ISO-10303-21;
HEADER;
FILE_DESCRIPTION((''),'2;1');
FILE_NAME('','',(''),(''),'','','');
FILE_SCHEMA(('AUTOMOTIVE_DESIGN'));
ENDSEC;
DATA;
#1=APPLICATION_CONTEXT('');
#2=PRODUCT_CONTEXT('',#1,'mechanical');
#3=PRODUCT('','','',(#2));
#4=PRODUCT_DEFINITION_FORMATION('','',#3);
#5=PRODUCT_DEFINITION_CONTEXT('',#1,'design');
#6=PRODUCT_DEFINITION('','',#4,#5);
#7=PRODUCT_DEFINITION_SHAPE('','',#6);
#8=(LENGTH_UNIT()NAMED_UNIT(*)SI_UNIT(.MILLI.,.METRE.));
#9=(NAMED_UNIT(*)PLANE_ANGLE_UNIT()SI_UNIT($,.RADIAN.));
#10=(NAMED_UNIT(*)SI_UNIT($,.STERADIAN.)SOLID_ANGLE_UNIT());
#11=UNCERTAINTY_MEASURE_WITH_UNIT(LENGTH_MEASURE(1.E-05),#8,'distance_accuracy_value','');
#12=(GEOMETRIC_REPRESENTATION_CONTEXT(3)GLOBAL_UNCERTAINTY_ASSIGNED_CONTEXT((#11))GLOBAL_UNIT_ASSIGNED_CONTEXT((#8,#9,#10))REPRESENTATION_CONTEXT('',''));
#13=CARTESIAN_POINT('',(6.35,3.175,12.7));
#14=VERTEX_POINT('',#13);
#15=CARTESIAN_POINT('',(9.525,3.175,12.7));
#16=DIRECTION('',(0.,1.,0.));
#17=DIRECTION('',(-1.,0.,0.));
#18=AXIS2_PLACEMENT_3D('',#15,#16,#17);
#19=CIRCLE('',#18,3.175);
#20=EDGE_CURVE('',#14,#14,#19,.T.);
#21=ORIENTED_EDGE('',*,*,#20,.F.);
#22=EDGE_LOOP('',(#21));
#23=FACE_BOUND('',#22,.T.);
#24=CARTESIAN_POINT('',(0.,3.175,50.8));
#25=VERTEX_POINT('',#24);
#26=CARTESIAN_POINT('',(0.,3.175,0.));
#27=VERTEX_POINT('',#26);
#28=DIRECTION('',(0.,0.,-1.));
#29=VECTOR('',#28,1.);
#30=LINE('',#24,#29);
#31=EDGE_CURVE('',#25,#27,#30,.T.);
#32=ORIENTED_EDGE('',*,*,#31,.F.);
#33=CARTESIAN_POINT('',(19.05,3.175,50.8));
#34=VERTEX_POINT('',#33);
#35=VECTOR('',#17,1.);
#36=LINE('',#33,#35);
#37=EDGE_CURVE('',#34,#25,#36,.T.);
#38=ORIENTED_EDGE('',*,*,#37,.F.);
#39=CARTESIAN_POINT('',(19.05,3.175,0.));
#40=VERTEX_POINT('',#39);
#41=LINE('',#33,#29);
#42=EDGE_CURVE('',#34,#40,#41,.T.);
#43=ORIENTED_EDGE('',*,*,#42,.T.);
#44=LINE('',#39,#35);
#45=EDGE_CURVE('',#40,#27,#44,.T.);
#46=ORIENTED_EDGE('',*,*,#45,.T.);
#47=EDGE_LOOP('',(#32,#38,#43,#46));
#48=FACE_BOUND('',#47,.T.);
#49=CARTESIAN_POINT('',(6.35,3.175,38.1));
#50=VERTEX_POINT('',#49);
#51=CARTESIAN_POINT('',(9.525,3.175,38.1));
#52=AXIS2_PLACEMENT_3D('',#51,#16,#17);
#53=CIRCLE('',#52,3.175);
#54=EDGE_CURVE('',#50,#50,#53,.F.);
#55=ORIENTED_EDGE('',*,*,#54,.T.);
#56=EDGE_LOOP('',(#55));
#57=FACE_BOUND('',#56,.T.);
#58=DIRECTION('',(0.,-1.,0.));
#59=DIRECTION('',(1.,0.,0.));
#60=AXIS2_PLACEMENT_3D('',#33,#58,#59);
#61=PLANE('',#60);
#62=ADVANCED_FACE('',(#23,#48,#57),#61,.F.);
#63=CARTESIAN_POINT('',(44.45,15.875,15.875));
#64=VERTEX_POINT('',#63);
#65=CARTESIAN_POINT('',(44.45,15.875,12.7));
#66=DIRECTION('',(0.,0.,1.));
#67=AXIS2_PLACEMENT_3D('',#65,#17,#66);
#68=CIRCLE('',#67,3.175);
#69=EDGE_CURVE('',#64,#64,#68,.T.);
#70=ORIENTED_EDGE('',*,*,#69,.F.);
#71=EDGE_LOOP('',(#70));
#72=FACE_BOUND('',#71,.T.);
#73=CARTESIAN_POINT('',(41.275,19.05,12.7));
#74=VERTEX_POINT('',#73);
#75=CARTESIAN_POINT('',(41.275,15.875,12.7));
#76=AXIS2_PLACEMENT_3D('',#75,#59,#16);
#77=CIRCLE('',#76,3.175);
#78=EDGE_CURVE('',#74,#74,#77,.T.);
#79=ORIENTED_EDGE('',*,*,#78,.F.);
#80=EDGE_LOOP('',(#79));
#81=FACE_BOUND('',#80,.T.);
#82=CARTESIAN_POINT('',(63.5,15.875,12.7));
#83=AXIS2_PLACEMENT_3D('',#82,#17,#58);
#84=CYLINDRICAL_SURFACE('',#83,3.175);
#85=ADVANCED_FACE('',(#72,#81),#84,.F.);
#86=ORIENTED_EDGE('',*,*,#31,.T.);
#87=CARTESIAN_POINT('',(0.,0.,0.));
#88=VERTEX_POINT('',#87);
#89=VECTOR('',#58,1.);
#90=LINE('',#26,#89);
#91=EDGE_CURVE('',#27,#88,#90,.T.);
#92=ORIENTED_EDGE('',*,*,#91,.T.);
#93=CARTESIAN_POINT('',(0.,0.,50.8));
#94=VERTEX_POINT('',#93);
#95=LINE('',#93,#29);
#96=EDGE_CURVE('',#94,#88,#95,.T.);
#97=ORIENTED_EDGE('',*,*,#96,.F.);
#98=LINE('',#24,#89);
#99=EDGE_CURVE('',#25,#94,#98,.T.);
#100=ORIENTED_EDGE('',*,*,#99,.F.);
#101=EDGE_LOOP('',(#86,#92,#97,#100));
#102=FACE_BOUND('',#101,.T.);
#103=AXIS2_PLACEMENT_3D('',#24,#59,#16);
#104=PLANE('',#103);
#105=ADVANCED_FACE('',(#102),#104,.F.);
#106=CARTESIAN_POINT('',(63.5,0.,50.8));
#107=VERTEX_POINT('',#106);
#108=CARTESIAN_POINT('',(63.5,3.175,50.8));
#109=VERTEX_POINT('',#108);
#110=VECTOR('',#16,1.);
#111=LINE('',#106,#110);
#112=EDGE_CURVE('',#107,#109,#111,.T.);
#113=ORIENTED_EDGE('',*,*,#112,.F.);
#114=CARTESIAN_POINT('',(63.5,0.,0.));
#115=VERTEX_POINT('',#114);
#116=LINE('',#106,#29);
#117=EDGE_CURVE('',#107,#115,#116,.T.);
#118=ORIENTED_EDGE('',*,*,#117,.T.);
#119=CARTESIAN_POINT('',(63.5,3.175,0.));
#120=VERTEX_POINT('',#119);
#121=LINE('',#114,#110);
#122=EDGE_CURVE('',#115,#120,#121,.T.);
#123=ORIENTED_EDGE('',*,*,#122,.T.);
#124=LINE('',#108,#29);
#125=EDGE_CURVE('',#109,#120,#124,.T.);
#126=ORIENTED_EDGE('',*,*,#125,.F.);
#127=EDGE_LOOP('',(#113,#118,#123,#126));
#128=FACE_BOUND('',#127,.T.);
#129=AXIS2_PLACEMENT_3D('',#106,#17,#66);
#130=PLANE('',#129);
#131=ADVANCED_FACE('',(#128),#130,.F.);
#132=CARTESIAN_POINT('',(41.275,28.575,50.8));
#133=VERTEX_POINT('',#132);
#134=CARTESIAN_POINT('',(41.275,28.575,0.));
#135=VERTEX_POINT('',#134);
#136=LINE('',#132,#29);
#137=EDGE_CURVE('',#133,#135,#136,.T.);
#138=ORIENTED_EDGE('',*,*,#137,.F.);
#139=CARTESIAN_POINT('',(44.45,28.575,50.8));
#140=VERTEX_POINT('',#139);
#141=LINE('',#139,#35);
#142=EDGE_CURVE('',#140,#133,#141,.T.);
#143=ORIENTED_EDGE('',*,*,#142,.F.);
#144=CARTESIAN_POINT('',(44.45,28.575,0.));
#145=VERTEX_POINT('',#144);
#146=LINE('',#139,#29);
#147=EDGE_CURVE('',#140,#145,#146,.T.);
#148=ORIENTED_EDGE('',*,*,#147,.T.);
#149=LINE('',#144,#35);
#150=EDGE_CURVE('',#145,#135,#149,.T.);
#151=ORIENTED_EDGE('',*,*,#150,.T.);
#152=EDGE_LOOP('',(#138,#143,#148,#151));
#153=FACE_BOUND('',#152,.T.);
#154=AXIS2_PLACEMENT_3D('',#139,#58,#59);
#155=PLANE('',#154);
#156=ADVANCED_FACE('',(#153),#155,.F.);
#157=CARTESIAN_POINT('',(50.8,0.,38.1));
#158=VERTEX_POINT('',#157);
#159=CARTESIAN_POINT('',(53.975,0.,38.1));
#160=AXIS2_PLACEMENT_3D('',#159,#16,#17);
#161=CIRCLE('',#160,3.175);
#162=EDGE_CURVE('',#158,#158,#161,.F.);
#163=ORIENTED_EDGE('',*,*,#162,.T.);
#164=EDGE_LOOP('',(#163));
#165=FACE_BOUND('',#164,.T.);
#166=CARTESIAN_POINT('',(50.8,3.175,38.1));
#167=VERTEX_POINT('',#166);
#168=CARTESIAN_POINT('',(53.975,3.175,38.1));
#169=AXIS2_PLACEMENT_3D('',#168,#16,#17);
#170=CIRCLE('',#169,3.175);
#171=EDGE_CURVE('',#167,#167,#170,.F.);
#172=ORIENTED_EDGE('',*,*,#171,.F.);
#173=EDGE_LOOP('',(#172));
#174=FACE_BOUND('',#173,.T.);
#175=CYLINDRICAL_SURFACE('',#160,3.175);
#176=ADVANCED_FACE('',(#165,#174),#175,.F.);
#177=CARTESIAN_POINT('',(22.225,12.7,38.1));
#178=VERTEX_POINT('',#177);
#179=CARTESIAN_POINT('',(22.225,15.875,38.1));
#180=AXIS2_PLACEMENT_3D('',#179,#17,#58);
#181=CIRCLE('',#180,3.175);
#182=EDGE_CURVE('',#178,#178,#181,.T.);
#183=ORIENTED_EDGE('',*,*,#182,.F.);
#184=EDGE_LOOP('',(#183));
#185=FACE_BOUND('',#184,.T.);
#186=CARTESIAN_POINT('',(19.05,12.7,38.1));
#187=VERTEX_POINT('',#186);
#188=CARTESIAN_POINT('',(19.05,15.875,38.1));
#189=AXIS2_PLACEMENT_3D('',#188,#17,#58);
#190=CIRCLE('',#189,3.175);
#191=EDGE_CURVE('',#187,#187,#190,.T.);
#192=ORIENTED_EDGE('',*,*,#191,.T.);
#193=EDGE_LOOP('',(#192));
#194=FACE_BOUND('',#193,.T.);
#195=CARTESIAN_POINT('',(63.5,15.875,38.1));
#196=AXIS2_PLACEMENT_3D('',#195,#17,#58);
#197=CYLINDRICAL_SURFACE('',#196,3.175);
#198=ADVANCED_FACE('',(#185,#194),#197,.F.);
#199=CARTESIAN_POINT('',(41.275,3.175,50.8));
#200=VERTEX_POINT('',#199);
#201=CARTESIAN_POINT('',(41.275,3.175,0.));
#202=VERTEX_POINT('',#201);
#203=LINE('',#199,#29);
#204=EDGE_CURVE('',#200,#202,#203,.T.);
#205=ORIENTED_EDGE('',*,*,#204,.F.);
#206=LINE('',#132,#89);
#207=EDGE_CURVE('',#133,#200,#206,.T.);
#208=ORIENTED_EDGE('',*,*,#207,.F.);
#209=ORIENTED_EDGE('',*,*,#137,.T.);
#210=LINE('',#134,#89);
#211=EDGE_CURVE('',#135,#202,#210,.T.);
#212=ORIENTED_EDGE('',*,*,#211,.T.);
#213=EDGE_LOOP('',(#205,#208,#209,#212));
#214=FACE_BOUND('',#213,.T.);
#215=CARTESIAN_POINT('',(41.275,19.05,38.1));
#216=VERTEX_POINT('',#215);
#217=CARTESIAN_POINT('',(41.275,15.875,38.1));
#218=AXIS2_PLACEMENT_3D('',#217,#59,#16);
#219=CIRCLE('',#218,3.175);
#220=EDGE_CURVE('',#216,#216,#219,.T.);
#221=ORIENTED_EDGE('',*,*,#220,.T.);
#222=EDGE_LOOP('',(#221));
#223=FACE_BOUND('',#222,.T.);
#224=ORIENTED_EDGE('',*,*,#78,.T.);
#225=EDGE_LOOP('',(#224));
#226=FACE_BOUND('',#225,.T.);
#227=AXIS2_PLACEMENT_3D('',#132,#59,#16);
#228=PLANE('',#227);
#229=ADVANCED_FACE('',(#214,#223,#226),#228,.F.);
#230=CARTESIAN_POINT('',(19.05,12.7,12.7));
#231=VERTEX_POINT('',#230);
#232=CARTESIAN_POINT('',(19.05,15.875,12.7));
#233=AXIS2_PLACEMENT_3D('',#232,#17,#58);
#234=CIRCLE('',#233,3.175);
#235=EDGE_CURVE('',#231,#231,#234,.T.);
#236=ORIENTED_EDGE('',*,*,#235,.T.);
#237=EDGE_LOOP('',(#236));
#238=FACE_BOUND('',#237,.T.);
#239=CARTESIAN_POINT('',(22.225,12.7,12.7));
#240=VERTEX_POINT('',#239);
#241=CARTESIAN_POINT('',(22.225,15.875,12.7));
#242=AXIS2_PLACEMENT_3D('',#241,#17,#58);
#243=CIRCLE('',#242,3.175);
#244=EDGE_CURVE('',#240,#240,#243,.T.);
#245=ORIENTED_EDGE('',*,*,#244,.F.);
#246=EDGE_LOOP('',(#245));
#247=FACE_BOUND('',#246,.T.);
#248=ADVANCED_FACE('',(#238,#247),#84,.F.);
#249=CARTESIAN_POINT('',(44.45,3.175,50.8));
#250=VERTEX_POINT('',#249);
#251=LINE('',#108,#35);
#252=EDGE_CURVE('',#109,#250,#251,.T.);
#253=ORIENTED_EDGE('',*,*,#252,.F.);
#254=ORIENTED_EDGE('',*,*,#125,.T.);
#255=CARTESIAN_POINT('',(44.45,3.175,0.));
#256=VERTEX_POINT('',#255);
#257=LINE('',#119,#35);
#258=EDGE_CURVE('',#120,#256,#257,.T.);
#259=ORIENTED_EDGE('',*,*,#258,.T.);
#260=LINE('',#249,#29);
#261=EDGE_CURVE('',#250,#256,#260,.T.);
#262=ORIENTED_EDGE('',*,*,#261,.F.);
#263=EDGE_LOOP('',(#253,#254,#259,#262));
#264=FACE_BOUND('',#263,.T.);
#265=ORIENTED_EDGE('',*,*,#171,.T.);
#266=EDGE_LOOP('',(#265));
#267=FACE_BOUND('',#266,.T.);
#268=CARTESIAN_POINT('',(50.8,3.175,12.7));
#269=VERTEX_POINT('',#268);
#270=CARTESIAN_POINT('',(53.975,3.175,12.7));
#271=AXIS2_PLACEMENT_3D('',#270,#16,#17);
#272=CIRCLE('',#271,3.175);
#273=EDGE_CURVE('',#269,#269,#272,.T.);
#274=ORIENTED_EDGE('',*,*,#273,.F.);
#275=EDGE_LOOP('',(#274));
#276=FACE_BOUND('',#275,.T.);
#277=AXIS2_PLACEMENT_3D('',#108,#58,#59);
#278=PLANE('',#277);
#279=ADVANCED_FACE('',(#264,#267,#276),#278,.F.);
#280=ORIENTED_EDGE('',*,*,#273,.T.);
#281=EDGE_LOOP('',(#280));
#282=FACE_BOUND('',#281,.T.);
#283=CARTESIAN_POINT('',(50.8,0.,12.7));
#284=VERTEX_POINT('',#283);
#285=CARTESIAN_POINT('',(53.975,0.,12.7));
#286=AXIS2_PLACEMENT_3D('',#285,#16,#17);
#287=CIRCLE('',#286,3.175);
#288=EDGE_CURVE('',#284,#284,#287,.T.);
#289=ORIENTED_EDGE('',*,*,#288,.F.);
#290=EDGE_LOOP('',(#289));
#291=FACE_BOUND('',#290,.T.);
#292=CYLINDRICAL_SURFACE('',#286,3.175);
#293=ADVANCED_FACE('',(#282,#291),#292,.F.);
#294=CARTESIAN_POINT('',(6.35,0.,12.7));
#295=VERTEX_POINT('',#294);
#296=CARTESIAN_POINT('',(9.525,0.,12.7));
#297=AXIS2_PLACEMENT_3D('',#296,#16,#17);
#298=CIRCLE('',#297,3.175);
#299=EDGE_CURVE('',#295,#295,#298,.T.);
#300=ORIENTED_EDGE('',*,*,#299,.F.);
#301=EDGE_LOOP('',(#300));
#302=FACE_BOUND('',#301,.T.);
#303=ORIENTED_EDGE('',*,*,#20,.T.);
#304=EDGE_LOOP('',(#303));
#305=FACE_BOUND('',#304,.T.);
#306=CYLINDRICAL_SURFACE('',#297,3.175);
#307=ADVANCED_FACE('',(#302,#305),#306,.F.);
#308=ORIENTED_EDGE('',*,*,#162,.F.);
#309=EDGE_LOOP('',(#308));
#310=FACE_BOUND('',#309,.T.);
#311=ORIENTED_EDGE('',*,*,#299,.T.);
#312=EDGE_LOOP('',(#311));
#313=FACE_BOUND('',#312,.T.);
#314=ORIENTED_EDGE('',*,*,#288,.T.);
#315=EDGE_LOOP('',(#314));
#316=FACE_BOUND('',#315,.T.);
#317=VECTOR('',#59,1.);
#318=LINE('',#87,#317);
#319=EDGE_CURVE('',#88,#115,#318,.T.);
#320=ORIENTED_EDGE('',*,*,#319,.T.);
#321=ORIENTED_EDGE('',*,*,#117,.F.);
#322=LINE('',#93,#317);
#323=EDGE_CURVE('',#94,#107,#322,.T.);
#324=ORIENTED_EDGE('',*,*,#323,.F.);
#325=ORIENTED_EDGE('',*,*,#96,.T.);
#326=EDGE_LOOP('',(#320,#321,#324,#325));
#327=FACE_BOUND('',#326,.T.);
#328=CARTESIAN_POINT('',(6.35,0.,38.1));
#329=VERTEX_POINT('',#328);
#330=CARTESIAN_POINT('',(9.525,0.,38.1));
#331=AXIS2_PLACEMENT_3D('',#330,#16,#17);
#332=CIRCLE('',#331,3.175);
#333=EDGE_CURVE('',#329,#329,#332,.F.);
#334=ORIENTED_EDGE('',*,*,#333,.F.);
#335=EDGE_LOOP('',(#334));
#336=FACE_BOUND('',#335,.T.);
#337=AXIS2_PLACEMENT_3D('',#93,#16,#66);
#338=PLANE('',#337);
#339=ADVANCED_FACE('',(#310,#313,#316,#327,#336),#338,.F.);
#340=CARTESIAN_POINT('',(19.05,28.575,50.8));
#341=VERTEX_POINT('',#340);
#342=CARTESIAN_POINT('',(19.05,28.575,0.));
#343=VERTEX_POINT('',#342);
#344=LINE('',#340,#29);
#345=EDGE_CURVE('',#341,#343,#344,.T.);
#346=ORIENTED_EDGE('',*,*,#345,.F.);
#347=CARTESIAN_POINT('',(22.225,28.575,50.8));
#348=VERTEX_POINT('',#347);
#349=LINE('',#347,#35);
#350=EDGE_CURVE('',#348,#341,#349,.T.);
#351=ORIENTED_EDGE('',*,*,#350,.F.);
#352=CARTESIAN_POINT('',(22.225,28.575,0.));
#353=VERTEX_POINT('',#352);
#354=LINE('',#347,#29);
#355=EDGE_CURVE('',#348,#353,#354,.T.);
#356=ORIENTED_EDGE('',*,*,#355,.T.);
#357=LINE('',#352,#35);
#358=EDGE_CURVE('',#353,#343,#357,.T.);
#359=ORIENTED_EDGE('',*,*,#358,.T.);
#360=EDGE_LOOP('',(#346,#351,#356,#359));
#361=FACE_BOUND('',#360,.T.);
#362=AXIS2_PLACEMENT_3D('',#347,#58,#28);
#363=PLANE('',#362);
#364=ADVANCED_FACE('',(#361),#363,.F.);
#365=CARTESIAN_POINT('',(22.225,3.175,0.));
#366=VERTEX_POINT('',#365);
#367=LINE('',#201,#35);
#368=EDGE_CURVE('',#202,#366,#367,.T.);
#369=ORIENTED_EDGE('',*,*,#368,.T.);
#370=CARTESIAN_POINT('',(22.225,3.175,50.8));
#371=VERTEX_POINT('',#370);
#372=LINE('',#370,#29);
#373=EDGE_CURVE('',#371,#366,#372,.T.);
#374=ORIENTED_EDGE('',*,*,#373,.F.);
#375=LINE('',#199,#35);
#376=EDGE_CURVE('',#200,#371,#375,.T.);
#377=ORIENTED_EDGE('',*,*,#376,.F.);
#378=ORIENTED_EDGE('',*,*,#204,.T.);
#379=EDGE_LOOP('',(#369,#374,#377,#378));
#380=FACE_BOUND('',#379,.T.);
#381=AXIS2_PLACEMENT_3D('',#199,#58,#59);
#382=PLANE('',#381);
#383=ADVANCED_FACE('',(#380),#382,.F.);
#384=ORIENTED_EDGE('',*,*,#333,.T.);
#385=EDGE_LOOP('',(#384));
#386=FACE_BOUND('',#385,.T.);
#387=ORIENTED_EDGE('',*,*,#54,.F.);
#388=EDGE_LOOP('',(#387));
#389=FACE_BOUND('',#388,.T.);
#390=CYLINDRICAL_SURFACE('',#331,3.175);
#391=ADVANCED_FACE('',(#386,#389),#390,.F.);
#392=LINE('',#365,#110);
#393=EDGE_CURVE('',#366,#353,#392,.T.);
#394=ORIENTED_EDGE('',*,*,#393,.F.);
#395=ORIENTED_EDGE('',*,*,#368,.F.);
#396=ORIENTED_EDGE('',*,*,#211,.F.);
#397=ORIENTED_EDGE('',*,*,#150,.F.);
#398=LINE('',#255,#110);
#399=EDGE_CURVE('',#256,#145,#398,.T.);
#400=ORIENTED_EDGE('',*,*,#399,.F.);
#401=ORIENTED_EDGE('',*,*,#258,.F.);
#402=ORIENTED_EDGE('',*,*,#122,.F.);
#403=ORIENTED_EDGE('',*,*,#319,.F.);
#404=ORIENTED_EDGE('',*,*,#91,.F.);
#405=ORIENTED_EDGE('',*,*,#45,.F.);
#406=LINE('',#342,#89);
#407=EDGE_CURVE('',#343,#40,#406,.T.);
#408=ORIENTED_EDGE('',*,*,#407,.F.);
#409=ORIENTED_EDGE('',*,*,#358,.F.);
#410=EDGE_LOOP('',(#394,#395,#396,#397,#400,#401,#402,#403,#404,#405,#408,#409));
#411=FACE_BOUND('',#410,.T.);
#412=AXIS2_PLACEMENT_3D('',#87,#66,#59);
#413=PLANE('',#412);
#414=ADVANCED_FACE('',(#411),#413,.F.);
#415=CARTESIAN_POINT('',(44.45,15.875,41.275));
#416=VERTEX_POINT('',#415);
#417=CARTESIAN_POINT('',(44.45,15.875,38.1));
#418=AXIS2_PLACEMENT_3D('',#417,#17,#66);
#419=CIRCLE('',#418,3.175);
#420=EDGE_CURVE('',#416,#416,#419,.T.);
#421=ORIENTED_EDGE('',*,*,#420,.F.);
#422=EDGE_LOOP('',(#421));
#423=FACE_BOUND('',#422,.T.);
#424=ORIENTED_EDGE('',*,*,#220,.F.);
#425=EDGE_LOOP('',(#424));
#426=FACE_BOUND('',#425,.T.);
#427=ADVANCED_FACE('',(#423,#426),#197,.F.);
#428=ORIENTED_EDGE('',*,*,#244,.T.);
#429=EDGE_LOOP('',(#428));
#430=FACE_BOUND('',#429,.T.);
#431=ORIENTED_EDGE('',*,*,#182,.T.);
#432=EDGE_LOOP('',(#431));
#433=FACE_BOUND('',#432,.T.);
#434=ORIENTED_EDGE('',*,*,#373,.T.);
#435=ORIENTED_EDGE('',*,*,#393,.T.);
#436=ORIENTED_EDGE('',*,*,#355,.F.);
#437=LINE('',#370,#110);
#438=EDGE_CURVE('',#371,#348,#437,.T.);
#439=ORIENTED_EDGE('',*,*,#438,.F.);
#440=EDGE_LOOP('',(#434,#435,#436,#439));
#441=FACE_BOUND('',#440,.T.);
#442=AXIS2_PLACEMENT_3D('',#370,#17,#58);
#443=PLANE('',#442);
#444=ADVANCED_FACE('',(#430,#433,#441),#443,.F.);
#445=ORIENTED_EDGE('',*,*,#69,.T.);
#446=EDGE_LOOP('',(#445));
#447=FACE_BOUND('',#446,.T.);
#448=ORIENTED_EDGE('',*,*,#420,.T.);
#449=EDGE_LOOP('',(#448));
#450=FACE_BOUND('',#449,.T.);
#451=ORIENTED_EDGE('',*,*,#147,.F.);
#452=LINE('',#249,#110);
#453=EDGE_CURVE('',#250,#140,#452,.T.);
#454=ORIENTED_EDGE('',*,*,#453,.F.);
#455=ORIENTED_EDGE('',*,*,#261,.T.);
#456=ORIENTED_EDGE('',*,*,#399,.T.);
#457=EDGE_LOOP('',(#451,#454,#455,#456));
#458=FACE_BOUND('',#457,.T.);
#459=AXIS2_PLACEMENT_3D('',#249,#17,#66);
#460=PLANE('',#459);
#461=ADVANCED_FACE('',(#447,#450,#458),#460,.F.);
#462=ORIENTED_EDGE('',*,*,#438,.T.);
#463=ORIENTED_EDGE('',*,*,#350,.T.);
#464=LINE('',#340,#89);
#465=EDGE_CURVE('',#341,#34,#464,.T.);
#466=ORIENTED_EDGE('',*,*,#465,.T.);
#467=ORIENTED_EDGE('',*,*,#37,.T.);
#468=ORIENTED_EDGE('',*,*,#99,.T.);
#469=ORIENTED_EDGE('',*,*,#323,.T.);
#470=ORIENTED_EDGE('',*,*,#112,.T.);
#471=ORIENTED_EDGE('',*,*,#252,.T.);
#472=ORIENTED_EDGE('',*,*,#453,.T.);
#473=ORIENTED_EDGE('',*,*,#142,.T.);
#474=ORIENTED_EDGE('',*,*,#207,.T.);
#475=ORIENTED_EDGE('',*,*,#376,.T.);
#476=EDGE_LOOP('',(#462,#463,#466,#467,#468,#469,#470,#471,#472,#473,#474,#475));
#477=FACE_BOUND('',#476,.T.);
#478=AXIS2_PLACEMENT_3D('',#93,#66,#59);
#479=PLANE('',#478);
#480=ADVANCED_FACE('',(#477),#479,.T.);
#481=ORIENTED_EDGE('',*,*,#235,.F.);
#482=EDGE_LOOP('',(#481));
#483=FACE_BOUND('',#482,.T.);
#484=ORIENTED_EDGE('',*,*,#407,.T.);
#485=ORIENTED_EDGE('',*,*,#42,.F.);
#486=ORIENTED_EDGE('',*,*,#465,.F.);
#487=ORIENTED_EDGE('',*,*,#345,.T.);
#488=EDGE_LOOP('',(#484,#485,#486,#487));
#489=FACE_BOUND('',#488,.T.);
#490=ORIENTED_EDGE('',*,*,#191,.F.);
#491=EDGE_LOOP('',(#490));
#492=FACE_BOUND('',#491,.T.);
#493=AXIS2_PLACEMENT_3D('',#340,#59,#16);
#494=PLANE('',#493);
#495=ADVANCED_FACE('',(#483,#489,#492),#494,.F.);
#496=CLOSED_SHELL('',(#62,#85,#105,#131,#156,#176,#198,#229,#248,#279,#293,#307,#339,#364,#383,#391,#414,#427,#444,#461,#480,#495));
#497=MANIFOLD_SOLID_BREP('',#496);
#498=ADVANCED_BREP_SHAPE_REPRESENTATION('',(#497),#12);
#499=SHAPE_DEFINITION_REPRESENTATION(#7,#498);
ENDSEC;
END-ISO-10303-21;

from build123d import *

# Parameters (mm, degrees)
BOSS_EXTRUDE2_DEPTH = 50.8
SKETCH4_R           = 3.175
CUT_EXTRUDE1_DEPTH  = 45.45
SKETCH5_R           = 3.175
CUT_EXTRUDE2_DEPTH  = 4.175


with BuildPart() as part:
    # Sketch3 → Boss-Extrude2 (new body)
    with BuildSketch(Plane.XY):
        Polygon((0, 0), (63.5, 0), (63.5, 3.175), (44.45, 3.175), (44.45, 28.575), (41.275, 28.575), (41.275, 3.175), (22.225, 3.175), (22.225, 28.575), (19.05, 28.575), (19.05, 3.175), (0, 3.175), align=None)
    extrude(amount=BOSS_EXTRUDE2_DEPTH)

    # Sketch4 → Cut-Extrude1 (cut, through all)
    with BuildSketch(Plane.ZY.offset(-19.05)):
        with Locations((12.7, 15.875)):
            Circle(SKETCH4_R)
        with Locations((38.1, 15.875)):
            Circle(SKETCH4_R)
    extrude(amount=-CUT_EXTRUDE1_DEPTH, mode=Mode.SUBTRACT)

    # Sketch5 → Cut-Extrude2 (cut, through all)
    with BuildSketch(Plane(origin=(0, 3.175, 0), x_dir=(1, 0, 0), z_dir=(0, 1, 0))):
        with Locations((9.525, -38.1)):
            Circle(SKETCH5_R)
        with Locations((9.525, -12.7)):
            Circle(SKETCH5_R)
        with Locations((53.975, -12.7)):
            Circle(SKETCH5_R)
        with Locations((53.975, -38.1)):
            Circle(SKETCH5_R)
    extrude(amount=-CUT_EXTRUDE2_DEPTH, mode=Mode.SUBTRACT)


solid = part.part
